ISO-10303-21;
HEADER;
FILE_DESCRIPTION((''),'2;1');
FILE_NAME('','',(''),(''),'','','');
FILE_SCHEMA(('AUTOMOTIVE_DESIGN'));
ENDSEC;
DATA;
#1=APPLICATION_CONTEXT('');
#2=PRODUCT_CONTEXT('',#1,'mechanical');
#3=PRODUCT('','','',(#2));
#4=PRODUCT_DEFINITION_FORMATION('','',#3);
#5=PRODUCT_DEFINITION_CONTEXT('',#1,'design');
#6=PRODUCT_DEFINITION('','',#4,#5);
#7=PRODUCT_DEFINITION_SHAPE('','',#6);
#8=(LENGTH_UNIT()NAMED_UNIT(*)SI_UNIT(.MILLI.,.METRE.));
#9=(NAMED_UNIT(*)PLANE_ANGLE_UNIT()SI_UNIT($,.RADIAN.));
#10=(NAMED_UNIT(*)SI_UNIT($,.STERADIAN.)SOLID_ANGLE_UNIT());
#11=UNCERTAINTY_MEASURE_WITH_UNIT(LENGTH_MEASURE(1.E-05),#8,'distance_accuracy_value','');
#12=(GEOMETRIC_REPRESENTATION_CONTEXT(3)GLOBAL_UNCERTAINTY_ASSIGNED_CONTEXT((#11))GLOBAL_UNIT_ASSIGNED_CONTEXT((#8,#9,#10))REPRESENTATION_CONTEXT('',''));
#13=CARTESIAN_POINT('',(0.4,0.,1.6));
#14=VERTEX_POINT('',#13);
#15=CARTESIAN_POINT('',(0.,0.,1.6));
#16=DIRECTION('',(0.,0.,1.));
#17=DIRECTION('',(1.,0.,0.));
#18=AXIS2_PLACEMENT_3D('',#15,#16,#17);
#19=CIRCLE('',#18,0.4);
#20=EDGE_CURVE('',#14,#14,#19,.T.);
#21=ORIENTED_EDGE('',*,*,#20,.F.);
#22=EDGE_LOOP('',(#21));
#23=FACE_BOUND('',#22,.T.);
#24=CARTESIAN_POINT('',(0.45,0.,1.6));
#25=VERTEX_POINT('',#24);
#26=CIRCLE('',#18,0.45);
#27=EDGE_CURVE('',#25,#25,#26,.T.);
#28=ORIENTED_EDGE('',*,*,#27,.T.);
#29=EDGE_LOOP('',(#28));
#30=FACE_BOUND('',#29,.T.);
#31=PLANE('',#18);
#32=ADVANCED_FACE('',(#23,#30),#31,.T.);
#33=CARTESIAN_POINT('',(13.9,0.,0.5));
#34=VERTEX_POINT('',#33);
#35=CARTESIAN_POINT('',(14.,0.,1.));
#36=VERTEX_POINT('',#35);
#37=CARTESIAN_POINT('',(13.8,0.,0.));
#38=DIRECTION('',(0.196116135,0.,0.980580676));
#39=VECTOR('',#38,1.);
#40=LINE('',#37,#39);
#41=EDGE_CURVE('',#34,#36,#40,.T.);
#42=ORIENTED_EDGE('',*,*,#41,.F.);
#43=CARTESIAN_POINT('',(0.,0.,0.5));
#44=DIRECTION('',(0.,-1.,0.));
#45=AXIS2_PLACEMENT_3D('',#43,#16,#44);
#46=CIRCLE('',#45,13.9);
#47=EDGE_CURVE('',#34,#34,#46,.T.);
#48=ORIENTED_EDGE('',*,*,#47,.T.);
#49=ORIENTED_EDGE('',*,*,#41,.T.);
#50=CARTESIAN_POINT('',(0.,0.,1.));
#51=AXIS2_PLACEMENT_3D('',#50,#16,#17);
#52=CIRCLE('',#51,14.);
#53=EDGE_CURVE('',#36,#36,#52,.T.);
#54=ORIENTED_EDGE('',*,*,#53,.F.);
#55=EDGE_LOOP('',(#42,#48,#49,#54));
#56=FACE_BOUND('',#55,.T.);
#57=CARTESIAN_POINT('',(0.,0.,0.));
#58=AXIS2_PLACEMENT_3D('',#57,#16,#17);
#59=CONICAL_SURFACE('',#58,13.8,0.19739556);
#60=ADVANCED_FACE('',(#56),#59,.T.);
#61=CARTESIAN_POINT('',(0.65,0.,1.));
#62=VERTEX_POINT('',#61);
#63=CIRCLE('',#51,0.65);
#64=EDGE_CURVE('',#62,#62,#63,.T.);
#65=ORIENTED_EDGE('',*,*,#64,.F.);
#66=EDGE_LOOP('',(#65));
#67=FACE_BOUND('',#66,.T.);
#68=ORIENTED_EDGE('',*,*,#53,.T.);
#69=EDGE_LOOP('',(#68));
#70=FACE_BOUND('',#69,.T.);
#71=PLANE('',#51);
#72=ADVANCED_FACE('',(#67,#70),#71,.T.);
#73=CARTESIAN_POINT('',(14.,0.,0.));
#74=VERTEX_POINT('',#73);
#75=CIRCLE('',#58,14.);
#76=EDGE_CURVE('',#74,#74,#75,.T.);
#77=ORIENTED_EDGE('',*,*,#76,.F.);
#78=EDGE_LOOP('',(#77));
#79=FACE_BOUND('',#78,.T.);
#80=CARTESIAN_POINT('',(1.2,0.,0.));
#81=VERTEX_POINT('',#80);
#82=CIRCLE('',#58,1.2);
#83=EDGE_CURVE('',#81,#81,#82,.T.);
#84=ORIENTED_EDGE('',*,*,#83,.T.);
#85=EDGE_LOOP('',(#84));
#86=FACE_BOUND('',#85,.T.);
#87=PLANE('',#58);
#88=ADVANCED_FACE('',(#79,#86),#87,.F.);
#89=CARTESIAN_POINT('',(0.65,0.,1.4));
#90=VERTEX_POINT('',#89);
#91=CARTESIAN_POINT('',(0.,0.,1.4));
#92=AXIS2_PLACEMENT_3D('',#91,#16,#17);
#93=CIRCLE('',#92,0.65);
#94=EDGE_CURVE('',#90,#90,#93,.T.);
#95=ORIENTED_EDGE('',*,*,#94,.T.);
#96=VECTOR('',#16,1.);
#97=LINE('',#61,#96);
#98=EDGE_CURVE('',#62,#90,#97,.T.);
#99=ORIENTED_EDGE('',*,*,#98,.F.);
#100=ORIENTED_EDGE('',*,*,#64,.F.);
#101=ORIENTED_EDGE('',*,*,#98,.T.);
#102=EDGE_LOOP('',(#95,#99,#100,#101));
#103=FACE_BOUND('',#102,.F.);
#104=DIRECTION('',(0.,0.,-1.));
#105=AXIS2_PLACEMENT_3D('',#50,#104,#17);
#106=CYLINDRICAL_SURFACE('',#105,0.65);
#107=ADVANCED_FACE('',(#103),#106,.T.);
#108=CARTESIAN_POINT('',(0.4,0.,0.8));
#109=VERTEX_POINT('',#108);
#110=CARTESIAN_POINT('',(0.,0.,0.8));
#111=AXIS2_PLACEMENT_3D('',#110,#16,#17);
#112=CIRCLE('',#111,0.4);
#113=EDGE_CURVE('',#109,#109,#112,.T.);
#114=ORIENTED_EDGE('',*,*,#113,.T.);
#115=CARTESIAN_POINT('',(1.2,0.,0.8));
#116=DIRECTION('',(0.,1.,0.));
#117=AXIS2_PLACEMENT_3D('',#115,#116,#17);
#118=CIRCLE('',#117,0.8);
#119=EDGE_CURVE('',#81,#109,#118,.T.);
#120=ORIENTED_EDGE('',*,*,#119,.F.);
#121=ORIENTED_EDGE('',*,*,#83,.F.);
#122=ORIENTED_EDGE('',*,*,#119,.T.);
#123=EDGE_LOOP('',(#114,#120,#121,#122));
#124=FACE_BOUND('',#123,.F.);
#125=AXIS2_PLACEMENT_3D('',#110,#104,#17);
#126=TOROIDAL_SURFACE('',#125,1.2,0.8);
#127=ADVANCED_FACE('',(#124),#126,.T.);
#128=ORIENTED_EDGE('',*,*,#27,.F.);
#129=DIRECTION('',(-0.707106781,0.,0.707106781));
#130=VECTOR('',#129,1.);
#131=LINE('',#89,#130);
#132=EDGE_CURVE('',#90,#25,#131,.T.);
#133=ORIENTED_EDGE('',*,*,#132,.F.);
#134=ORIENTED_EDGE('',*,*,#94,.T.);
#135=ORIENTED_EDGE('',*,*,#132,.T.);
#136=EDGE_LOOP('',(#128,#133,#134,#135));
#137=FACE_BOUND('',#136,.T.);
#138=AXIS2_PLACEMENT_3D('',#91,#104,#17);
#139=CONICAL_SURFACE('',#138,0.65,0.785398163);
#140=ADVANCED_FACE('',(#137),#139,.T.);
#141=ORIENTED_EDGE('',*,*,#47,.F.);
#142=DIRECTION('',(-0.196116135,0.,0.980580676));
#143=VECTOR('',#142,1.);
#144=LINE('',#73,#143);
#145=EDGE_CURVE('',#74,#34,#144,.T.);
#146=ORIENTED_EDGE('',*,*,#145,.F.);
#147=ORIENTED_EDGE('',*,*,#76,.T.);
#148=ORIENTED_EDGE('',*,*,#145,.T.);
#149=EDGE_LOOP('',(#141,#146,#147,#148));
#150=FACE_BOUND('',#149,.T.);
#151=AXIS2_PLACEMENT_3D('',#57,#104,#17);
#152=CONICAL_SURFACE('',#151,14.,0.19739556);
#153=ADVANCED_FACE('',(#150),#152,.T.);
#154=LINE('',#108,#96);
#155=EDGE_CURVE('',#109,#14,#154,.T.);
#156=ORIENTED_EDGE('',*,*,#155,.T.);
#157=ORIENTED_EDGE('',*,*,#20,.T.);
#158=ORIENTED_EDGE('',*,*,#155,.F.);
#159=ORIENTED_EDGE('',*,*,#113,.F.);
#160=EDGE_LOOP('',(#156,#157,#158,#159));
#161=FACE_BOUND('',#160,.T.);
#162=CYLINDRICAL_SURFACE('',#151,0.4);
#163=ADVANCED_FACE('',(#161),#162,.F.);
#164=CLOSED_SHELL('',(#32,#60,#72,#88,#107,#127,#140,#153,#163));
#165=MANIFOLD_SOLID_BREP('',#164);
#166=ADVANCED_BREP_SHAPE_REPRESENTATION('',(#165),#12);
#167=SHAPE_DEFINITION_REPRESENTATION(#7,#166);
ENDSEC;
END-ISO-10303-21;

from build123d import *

# Parameters (mm, degrees)
CYLINDER_R        = 0.4
CYLINDER_DEPTH    = 1
FILLET_R          = 0.8
CYLINDER002_R     = 0.4
CYLINDER002_DEPTH = 0.6
CYLINDER001_R     = 0.65
CYLINDER001_DEPTH = 0.6
CHAMFER_SIZE      = 0.2


with BuildPart() as cylinder:
    # Cylinder → Cylinder (new body)
    with BuildSketch(Plane.XY):
        Circle(CYLINDER_R)
    extrude(amount=CYLINDER_DEPTH)


with BuildPart() as cone001:
    # Cone001 → Cone001 (revolve)
    with BuildSketch(Plane.XZ):
        Polygon((0, 0), (14, 0), (13.8, 1), (0, 1), align=None)
    revolve(axis=Axis((0, 0, 0), (0, 0, 1)))


with BuildPart() as fillet_body:
    # Cone → Cone (revolve)
    with BuildSketch(Plane.XZ):
        Polygon((0, 0), (13.8, 0), (14, 1), (0, 1), align=None)
    revolve(axis=Axis((0, 0, 0), (0, 0, 1)))

    # Fusion: union Cone001
    add(cone001.part)

    # Cut: cut Cylinder
    add(cylinder.part, mode=Mode.SUBTRACT)

    # Fillet
    fillet_edges = [fillet_body.edges().sort_by_distance(p)[0] for p in [
        (-0.4, 0, 0),
    ]]
    fillet(fillet_edges, radius=FILLET_R)


with BuildPart() as cylinder002:
    # Cylinder002 → Cylinder002 (new body)
    with BuildSketch(Plane.XY.offset(1)):
        Circle(CYLINDER002_R)
    extrude(amount=CYLINDER002_DEPTH)


with BuildPart() as fusion001:
    # Cylinder001 → Cylinder001 (new body)
    with BuildSketch(Plane.XY.offset(1)):
        Circle(CYLINDER001_R)
    extrude(amount=CYLINDER001_DEPTH)

    # Cut001: cut Cylinder002
    add(cylinder002.part, mode=Mode.SUBTRACT)

    # Chamfer
    chamfer_edges = [fusion001.edges().sort_by_distance(p)[0] for p in [
        (-0.65, 0, 1.6),
    ]]
    chamfer(chamfer_edges, length=CHAMFER_SIZE)

    # Fusion001: union Fillet body
    add(fillet_body.part)


solid = fusion001.part
